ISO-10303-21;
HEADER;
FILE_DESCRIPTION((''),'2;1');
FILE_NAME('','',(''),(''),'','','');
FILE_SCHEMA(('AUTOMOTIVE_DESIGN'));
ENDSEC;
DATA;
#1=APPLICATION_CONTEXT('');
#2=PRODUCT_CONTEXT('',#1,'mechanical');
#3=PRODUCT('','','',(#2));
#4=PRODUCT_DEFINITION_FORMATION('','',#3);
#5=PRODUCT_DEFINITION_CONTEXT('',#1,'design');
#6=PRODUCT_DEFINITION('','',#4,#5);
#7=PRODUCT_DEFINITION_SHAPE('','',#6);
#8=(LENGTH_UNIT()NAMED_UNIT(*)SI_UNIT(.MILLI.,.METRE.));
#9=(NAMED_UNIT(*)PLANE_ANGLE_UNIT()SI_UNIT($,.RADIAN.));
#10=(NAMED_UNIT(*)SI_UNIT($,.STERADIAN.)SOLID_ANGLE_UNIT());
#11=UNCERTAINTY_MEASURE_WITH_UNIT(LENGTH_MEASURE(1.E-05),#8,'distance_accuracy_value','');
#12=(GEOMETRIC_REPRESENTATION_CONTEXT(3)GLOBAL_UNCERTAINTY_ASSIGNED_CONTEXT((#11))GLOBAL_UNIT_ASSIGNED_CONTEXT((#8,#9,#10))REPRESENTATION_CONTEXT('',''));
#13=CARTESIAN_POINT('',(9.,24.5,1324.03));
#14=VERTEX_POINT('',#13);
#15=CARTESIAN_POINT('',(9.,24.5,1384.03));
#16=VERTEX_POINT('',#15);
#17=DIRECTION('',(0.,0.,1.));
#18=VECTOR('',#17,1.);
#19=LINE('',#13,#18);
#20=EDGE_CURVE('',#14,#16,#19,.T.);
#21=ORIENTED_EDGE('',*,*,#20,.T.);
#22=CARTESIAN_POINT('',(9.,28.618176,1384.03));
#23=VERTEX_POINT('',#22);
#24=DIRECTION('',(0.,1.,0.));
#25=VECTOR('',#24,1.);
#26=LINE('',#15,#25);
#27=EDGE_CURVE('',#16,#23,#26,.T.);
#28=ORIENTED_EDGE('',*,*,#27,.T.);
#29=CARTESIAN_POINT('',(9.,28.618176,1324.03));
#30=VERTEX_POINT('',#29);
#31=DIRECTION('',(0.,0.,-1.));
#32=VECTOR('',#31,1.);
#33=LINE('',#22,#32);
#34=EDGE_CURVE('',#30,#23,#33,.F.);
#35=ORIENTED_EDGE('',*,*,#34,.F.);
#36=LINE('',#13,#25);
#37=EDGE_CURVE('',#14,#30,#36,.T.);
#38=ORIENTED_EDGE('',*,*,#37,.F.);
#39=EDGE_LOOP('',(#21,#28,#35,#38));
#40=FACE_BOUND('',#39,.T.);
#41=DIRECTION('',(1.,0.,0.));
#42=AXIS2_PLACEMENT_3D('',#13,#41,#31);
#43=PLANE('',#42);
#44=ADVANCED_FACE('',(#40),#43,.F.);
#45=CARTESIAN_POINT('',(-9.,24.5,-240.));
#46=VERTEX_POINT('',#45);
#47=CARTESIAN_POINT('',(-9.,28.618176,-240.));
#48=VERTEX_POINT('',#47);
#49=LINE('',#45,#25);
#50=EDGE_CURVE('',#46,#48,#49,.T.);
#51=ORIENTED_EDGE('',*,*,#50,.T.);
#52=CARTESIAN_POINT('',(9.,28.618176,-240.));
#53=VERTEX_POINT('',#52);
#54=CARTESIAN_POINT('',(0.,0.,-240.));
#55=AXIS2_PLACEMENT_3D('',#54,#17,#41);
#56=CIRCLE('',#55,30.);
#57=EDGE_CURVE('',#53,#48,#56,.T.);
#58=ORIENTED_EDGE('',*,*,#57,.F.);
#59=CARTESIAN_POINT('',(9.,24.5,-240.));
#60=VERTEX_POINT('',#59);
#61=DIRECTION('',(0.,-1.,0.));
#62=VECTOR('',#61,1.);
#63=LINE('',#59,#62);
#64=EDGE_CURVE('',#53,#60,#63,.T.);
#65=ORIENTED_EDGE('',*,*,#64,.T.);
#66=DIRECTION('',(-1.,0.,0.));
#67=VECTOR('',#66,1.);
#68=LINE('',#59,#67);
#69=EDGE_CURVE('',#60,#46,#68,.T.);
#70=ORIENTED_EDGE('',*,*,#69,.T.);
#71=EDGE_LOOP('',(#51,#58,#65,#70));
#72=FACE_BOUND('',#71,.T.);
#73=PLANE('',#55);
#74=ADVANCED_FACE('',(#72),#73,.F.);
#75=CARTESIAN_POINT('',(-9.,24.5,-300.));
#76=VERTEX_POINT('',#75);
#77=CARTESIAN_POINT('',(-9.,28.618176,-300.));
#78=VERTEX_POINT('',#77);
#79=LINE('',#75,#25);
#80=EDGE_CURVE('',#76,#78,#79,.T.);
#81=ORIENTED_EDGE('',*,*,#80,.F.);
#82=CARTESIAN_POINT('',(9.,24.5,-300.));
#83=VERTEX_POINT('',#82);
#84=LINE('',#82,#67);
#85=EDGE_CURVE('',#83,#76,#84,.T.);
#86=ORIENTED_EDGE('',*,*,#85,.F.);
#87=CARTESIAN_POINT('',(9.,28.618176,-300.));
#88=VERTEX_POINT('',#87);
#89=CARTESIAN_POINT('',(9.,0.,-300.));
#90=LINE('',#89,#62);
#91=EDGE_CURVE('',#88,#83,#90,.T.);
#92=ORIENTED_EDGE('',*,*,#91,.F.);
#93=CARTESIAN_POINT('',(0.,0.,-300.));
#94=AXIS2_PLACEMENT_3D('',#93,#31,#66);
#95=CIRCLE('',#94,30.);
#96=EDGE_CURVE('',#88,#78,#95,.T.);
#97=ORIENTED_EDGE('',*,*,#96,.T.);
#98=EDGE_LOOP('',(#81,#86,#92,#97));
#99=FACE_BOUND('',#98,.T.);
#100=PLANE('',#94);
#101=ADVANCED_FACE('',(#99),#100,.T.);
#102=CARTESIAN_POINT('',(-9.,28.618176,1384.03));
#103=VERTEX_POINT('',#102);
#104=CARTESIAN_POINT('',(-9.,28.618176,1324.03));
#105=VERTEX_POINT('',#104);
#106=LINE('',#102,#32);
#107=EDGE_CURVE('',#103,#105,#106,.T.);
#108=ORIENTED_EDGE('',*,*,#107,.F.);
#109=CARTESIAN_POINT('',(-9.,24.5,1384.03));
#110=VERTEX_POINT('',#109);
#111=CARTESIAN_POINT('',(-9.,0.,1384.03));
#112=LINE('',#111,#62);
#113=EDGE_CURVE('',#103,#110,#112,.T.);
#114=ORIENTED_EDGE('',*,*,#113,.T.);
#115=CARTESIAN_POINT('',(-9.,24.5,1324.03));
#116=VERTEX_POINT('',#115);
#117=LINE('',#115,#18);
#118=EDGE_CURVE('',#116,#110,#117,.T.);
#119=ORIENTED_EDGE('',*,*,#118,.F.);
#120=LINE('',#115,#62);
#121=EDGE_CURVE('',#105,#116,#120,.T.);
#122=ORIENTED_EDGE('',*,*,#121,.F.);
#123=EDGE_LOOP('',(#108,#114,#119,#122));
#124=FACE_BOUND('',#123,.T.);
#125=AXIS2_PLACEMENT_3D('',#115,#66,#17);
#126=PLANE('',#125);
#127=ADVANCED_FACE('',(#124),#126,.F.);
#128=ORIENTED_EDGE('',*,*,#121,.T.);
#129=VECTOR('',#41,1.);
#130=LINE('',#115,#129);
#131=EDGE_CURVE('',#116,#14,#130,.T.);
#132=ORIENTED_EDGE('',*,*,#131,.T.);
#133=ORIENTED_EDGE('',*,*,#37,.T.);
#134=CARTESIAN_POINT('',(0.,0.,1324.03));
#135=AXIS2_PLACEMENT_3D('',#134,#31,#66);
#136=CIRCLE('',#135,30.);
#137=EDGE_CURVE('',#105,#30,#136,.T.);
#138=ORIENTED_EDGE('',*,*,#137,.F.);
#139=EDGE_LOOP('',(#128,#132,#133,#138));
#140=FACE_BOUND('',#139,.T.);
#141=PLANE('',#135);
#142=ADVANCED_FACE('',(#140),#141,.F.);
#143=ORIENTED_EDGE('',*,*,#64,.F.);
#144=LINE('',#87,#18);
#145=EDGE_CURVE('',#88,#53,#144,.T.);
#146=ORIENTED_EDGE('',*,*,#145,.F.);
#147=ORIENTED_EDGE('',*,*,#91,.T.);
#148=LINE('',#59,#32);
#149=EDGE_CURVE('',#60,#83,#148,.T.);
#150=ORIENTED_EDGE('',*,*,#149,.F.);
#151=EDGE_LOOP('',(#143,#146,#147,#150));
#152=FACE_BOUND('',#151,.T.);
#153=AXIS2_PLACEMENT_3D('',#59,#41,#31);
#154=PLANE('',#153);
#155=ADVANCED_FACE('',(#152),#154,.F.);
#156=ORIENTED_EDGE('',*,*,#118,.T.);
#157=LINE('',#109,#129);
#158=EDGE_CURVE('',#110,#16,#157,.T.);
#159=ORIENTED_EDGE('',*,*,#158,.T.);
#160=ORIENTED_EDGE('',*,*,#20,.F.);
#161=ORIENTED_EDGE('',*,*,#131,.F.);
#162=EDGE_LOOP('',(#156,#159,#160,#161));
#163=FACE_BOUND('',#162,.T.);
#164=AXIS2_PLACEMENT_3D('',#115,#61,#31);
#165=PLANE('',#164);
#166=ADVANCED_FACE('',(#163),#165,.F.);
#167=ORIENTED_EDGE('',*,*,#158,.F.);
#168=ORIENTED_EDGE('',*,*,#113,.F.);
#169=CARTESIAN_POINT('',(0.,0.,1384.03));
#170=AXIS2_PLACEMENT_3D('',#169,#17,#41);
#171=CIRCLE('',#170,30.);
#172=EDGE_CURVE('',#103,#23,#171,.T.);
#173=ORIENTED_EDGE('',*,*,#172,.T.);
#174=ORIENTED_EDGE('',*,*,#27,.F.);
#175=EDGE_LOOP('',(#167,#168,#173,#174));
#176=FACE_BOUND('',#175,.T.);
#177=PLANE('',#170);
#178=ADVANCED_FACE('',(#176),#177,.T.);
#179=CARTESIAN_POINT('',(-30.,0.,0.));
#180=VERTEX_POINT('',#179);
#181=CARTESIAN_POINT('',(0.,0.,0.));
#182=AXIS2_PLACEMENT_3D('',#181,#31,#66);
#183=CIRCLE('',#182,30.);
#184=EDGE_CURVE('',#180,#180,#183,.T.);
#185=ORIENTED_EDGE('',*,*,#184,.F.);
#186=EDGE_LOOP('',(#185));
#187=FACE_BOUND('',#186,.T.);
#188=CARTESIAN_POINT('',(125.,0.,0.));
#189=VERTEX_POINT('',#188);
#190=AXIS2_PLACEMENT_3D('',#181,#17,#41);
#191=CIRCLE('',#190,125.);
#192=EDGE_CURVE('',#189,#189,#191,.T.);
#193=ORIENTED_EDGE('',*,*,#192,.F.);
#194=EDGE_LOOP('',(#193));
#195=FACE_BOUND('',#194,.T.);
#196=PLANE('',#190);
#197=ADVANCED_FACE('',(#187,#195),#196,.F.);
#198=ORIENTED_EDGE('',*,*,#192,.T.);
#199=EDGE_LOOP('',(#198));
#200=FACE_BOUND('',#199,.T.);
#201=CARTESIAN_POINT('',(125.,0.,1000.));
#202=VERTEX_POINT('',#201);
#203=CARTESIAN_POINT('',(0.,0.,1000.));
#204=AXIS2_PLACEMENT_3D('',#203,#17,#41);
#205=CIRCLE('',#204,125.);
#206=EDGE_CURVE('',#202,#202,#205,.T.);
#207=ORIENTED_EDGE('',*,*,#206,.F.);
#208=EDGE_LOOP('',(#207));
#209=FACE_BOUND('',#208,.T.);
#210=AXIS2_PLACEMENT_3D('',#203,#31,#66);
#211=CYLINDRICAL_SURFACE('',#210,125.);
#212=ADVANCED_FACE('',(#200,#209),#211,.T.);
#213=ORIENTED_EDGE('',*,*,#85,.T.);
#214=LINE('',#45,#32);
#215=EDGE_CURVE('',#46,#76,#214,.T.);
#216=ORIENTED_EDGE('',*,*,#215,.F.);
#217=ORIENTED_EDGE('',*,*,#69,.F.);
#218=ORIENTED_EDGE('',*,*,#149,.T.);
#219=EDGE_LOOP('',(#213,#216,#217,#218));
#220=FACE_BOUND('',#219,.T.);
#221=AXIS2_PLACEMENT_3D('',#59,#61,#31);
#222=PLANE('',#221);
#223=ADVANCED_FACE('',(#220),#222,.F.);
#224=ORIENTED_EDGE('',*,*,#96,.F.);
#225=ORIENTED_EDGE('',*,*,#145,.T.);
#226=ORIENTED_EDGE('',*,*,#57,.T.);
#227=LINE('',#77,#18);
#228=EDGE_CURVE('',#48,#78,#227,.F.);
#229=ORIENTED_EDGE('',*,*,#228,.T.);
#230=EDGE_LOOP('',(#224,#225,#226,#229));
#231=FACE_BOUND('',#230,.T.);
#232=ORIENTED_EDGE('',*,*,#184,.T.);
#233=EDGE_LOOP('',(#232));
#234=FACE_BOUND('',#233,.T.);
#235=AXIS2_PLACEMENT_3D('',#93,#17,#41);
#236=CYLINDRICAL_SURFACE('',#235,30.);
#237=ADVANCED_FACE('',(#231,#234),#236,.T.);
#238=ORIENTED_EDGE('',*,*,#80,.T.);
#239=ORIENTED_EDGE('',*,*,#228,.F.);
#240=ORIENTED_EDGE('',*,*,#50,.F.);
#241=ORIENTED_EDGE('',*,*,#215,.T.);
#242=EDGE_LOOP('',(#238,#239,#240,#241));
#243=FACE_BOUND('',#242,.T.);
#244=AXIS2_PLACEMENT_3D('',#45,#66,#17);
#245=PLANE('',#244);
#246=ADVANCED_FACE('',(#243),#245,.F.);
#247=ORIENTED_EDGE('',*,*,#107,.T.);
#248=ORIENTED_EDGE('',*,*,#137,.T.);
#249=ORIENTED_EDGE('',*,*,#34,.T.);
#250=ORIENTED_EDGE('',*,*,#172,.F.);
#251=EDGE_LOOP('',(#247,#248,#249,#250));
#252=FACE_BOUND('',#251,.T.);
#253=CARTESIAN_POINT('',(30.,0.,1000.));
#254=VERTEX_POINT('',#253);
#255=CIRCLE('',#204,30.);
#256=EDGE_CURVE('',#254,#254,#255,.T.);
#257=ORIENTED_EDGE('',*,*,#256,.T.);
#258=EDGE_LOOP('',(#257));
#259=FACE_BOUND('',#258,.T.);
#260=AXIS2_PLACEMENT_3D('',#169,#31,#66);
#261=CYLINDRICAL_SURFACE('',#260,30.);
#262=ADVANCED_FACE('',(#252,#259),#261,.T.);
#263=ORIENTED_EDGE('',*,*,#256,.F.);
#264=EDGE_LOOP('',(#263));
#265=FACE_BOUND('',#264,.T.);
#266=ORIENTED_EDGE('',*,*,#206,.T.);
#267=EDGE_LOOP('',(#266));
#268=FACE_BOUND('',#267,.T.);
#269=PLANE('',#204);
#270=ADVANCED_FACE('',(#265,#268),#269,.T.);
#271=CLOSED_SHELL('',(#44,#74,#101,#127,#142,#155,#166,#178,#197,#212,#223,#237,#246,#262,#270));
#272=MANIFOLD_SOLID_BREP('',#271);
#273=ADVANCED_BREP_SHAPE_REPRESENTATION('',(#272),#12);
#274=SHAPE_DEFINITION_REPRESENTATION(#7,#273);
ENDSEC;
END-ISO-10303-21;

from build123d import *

# Parameters (mm, degrees)
SKETCH2_R           = 125
BOSS_EXTRUDE1_DEPTH = 1000
SKETCH7_R           = 30
BOSS_EXTRUDE3_DEPTH = 384.03
BOSS_EXTRUDE4_START = 300
SKETCH8_R           = 30
BOSS_EXTRUDE4_DEPTH = 300
SKETCH18_W          = 18
SKETCH18_H          = 11
CUT_EXTRUDE2_DEPTH  = 60
SKETCH19_W          = 18
SKETCH19_H          = 11
CUT_EXTRUDE3_DEPTH  = 60


with BuildPart() as part:
    # Sketch2 → Boss-Extrude1 (new body)
    with BuildSketch(Plane.XY):
        Circle(SKETCH2_R)
    extrude(amount=BOSS_EXTRUDE1_DEPTH)

    # Sketch7 → Boss-Extrude3 (add)
    with BuildSketch(Plane.XY.offset(1000)):
        Circle(SKETCH7_R)
    extrude(amount=BOSS_EXTRUDE3_DEPTH)

    # Sketch8 → Boss-Extrude4 (add)
    with BuildSketch(Plane(origin=(0, 0, 0), x_dir=(-1, 0, 0), z_dir=(0, 0, -1)).offset(BOSS_EXTRUDE4_START)):
        with Locations(Location((0, 0, 0), (0, 0, 180))):
            Circle(SKETCH8_R)
    extrude(amount=-BOSS_EXTRUDE4_DEPTH)

    # Sketch18 → Cut-Extrude2 (cut)
    with BuildSketch(Plane.XY.offset(1384.03)):
        with Locations((0, 30)):
            Rectangle(SKETCH18_W, SKETCH18_H)
    extrude(amount=-CUT_EXTRUDE2_DEPTH, mode=Mode.SUBTRACT)

    # Sketch19 → Cut-Extrude3 (cut)
    with BuildSketch(Plane(origin=(0, 0, -300), x_dir=(-1, 0, 0), z_dir=(0, 0, -1))):
        with Locations((0, 30)):
            Rectangle(SKETCH19_W, SKETCH19_H)
    extrude(amount=-CUT_EXTRUDE3_DEPTH, mode=Mode.SUBTRACT)


solid = part.part
